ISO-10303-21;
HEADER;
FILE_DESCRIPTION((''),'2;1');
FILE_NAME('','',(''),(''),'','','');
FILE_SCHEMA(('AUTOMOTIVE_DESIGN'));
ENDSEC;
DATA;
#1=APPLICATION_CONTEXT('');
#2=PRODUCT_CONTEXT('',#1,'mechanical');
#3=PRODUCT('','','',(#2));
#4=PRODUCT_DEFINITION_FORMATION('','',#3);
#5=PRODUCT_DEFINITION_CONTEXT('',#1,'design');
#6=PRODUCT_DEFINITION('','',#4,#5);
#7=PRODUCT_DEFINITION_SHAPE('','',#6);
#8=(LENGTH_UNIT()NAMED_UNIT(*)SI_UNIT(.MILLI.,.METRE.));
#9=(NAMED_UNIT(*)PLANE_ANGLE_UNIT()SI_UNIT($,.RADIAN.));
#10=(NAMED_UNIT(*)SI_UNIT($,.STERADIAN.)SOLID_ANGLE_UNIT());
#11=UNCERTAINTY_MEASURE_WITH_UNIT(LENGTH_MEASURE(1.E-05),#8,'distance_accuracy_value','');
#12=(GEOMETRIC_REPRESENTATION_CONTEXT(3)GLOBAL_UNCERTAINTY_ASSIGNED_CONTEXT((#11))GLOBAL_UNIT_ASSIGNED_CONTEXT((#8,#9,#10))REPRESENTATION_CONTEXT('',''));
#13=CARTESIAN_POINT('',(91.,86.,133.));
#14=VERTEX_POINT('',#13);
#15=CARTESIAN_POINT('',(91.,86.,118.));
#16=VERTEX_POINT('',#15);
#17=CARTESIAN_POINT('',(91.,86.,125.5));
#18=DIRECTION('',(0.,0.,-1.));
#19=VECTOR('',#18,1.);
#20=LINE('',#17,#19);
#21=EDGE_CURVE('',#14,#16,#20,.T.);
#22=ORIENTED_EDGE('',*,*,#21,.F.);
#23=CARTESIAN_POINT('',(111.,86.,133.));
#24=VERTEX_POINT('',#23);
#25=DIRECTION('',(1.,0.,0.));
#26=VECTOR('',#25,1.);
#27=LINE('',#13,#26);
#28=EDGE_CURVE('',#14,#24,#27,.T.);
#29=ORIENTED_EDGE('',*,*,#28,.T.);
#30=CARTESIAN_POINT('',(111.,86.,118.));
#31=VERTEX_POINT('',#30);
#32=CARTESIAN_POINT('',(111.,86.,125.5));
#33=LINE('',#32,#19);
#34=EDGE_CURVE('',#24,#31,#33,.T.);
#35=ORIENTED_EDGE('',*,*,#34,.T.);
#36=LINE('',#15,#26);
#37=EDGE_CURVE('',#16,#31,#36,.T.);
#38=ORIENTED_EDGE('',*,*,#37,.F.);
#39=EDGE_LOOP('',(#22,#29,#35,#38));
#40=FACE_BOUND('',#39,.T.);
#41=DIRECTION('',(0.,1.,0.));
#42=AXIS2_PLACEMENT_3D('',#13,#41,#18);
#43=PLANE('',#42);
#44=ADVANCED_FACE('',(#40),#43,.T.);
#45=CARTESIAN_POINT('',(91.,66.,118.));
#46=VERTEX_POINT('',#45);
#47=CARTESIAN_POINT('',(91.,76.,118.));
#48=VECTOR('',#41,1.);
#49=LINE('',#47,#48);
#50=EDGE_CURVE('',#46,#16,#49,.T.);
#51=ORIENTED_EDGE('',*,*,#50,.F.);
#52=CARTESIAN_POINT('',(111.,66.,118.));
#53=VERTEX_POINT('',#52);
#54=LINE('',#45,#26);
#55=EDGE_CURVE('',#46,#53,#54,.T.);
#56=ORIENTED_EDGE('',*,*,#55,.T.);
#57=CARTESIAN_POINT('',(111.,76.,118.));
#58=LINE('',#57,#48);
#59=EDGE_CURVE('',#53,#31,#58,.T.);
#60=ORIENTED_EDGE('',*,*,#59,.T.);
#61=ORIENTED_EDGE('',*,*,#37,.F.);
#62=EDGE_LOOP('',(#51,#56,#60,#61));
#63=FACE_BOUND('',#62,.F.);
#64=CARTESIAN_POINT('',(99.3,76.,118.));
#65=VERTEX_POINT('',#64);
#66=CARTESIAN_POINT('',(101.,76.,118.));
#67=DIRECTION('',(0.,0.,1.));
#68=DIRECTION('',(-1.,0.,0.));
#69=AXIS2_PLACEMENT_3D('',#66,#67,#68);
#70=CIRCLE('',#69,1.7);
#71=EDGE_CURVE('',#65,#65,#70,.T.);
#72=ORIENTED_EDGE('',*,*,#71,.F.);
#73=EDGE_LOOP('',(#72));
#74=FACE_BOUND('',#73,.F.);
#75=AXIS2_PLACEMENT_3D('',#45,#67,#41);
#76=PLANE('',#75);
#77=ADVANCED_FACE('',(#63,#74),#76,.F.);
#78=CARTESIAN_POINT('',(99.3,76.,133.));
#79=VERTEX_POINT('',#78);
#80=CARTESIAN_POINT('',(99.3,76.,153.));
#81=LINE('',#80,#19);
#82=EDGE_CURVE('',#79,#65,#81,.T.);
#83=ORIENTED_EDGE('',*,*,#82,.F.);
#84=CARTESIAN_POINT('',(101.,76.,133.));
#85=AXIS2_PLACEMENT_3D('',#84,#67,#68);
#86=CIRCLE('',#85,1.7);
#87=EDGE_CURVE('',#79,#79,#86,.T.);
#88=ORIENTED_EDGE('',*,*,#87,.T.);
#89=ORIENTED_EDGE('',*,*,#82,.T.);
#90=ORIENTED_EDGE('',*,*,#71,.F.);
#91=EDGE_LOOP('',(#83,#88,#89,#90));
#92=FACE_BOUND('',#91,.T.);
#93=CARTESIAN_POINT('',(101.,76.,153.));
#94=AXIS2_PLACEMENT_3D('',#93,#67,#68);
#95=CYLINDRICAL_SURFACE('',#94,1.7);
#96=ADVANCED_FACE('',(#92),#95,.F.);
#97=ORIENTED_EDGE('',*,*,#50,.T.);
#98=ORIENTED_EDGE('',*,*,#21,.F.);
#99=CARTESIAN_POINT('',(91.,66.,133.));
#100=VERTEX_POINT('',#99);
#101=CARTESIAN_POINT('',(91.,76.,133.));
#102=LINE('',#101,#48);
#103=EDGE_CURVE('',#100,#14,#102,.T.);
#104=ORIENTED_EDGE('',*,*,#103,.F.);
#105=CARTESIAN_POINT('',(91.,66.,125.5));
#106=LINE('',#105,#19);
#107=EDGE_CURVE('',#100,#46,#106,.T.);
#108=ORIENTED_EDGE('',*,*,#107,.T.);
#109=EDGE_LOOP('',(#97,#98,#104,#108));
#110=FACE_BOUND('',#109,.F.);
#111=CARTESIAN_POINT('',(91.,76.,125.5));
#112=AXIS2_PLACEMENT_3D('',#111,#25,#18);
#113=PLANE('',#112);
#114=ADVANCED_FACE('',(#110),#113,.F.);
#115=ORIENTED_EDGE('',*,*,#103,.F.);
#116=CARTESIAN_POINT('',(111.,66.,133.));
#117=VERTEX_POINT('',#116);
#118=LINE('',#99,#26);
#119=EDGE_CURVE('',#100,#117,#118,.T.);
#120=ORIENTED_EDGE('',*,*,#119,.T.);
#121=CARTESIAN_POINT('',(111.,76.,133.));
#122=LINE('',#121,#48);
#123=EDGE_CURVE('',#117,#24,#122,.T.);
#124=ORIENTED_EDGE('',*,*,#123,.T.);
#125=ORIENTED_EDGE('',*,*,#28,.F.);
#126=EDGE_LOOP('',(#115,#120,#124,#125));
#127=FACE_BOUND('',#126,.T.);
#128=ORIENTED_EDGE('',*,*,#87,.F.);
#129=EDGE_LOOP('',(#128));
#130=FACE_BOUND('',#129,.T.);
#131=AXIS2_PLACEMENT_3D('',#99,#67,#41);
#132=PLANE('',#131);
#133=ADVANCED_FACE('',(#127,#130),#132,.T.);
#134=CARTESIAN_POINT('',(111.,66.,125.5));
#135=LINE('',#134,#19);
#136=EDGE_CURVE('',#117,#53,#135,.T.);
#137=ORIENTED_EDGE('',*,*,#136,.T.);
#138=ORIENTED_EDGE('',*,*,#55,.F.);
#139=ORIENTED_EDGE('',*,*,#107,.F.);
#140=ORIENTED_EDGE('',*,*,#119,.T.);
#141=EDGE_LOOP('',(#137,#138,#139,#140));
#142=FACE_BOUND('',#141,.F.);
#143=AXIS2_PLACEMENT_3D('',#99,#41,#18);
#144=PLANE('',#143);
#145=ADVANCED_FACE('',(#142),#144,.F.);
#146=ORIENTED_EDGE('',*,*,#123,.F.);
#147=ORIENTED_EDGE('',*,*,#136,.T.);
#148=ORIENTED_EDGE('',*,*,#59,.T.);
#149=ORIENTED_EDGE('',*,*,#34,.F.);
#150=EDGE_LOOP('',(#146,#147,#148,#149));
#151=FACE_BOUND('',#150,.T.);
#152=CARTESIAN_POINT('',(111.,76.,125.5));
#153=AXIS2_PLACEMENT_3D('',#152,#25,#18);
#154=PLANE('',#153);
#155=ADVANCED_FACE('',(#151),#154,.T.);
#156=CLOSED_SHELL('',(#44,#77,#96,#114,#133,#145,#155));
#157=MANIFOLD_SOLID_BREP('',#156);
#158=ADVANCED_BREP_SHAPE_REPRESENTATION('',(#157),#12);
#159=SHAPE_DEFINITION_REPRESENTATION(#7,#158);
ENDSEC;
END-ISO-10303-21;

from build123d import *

# Parameters (mm, degrees)
CYLINDER017_R               = 1.7
CYLINDER017_DEPTH           = 80
CYLINDER017_PITCH_ANGLE     = 90
BOX_W                       = 15
BOX_H                       = 20
BOX_DEPTH                   = 20
CUT010035003033_PITCH_ANGLE = 90


with BuildPart() as taladro_tornillo010:
    # Cylinder017 → Cylinder017 (new body)
    with BuildSketch(Plane.XY):
        Circle(CYLINDER017_R)
    extrude(amount=CYLINDER017_DEPTH)


with BuildPart() as taladro_tornillo010_1:
    # Cylinder017 pitch: moved
    add(taladro_tornillo010.part.rotate(Axis((0, 0, 0), (0, 1, 0)), CYLINDER017_PITCH_ANGLE))


with BuildPart() as taladro_tornillo010_2:
    # Cylinder017 placement: moved
    add(taladro_tornillo010_1.part.moved(Location((-20, 10, 10))))


with BuildPart() as cut010035003033:
    # Box → Box (new body)
    with BuildSketch(Plane.XY):
        with Locations((7.5, 10)):
            Rectangle(BOX_W, BOX_H)
    extrude(amount=BOX_DEPTH)

    # Cut010035003033: cut Taladro tornillo010
    add(taladro_tornillo010_2.part, mode=Mode.SUBTRACT)


with BuildPart() as cut010035003033_1:
    # Cut010035003033 pitch: moved
    add(cut010035003033.part.rotate(Axis((0, 0, 0), (0, 1, 0)), CUT010035003033_PITCH_ANGLE))


with BuildPart() as cut010035003033_2:
    # Cut010035003033 placement: moved
    add(cut010035003033_1.part.moved(Location((91, 66, 133))))


solid = cut010035003033_2.part
